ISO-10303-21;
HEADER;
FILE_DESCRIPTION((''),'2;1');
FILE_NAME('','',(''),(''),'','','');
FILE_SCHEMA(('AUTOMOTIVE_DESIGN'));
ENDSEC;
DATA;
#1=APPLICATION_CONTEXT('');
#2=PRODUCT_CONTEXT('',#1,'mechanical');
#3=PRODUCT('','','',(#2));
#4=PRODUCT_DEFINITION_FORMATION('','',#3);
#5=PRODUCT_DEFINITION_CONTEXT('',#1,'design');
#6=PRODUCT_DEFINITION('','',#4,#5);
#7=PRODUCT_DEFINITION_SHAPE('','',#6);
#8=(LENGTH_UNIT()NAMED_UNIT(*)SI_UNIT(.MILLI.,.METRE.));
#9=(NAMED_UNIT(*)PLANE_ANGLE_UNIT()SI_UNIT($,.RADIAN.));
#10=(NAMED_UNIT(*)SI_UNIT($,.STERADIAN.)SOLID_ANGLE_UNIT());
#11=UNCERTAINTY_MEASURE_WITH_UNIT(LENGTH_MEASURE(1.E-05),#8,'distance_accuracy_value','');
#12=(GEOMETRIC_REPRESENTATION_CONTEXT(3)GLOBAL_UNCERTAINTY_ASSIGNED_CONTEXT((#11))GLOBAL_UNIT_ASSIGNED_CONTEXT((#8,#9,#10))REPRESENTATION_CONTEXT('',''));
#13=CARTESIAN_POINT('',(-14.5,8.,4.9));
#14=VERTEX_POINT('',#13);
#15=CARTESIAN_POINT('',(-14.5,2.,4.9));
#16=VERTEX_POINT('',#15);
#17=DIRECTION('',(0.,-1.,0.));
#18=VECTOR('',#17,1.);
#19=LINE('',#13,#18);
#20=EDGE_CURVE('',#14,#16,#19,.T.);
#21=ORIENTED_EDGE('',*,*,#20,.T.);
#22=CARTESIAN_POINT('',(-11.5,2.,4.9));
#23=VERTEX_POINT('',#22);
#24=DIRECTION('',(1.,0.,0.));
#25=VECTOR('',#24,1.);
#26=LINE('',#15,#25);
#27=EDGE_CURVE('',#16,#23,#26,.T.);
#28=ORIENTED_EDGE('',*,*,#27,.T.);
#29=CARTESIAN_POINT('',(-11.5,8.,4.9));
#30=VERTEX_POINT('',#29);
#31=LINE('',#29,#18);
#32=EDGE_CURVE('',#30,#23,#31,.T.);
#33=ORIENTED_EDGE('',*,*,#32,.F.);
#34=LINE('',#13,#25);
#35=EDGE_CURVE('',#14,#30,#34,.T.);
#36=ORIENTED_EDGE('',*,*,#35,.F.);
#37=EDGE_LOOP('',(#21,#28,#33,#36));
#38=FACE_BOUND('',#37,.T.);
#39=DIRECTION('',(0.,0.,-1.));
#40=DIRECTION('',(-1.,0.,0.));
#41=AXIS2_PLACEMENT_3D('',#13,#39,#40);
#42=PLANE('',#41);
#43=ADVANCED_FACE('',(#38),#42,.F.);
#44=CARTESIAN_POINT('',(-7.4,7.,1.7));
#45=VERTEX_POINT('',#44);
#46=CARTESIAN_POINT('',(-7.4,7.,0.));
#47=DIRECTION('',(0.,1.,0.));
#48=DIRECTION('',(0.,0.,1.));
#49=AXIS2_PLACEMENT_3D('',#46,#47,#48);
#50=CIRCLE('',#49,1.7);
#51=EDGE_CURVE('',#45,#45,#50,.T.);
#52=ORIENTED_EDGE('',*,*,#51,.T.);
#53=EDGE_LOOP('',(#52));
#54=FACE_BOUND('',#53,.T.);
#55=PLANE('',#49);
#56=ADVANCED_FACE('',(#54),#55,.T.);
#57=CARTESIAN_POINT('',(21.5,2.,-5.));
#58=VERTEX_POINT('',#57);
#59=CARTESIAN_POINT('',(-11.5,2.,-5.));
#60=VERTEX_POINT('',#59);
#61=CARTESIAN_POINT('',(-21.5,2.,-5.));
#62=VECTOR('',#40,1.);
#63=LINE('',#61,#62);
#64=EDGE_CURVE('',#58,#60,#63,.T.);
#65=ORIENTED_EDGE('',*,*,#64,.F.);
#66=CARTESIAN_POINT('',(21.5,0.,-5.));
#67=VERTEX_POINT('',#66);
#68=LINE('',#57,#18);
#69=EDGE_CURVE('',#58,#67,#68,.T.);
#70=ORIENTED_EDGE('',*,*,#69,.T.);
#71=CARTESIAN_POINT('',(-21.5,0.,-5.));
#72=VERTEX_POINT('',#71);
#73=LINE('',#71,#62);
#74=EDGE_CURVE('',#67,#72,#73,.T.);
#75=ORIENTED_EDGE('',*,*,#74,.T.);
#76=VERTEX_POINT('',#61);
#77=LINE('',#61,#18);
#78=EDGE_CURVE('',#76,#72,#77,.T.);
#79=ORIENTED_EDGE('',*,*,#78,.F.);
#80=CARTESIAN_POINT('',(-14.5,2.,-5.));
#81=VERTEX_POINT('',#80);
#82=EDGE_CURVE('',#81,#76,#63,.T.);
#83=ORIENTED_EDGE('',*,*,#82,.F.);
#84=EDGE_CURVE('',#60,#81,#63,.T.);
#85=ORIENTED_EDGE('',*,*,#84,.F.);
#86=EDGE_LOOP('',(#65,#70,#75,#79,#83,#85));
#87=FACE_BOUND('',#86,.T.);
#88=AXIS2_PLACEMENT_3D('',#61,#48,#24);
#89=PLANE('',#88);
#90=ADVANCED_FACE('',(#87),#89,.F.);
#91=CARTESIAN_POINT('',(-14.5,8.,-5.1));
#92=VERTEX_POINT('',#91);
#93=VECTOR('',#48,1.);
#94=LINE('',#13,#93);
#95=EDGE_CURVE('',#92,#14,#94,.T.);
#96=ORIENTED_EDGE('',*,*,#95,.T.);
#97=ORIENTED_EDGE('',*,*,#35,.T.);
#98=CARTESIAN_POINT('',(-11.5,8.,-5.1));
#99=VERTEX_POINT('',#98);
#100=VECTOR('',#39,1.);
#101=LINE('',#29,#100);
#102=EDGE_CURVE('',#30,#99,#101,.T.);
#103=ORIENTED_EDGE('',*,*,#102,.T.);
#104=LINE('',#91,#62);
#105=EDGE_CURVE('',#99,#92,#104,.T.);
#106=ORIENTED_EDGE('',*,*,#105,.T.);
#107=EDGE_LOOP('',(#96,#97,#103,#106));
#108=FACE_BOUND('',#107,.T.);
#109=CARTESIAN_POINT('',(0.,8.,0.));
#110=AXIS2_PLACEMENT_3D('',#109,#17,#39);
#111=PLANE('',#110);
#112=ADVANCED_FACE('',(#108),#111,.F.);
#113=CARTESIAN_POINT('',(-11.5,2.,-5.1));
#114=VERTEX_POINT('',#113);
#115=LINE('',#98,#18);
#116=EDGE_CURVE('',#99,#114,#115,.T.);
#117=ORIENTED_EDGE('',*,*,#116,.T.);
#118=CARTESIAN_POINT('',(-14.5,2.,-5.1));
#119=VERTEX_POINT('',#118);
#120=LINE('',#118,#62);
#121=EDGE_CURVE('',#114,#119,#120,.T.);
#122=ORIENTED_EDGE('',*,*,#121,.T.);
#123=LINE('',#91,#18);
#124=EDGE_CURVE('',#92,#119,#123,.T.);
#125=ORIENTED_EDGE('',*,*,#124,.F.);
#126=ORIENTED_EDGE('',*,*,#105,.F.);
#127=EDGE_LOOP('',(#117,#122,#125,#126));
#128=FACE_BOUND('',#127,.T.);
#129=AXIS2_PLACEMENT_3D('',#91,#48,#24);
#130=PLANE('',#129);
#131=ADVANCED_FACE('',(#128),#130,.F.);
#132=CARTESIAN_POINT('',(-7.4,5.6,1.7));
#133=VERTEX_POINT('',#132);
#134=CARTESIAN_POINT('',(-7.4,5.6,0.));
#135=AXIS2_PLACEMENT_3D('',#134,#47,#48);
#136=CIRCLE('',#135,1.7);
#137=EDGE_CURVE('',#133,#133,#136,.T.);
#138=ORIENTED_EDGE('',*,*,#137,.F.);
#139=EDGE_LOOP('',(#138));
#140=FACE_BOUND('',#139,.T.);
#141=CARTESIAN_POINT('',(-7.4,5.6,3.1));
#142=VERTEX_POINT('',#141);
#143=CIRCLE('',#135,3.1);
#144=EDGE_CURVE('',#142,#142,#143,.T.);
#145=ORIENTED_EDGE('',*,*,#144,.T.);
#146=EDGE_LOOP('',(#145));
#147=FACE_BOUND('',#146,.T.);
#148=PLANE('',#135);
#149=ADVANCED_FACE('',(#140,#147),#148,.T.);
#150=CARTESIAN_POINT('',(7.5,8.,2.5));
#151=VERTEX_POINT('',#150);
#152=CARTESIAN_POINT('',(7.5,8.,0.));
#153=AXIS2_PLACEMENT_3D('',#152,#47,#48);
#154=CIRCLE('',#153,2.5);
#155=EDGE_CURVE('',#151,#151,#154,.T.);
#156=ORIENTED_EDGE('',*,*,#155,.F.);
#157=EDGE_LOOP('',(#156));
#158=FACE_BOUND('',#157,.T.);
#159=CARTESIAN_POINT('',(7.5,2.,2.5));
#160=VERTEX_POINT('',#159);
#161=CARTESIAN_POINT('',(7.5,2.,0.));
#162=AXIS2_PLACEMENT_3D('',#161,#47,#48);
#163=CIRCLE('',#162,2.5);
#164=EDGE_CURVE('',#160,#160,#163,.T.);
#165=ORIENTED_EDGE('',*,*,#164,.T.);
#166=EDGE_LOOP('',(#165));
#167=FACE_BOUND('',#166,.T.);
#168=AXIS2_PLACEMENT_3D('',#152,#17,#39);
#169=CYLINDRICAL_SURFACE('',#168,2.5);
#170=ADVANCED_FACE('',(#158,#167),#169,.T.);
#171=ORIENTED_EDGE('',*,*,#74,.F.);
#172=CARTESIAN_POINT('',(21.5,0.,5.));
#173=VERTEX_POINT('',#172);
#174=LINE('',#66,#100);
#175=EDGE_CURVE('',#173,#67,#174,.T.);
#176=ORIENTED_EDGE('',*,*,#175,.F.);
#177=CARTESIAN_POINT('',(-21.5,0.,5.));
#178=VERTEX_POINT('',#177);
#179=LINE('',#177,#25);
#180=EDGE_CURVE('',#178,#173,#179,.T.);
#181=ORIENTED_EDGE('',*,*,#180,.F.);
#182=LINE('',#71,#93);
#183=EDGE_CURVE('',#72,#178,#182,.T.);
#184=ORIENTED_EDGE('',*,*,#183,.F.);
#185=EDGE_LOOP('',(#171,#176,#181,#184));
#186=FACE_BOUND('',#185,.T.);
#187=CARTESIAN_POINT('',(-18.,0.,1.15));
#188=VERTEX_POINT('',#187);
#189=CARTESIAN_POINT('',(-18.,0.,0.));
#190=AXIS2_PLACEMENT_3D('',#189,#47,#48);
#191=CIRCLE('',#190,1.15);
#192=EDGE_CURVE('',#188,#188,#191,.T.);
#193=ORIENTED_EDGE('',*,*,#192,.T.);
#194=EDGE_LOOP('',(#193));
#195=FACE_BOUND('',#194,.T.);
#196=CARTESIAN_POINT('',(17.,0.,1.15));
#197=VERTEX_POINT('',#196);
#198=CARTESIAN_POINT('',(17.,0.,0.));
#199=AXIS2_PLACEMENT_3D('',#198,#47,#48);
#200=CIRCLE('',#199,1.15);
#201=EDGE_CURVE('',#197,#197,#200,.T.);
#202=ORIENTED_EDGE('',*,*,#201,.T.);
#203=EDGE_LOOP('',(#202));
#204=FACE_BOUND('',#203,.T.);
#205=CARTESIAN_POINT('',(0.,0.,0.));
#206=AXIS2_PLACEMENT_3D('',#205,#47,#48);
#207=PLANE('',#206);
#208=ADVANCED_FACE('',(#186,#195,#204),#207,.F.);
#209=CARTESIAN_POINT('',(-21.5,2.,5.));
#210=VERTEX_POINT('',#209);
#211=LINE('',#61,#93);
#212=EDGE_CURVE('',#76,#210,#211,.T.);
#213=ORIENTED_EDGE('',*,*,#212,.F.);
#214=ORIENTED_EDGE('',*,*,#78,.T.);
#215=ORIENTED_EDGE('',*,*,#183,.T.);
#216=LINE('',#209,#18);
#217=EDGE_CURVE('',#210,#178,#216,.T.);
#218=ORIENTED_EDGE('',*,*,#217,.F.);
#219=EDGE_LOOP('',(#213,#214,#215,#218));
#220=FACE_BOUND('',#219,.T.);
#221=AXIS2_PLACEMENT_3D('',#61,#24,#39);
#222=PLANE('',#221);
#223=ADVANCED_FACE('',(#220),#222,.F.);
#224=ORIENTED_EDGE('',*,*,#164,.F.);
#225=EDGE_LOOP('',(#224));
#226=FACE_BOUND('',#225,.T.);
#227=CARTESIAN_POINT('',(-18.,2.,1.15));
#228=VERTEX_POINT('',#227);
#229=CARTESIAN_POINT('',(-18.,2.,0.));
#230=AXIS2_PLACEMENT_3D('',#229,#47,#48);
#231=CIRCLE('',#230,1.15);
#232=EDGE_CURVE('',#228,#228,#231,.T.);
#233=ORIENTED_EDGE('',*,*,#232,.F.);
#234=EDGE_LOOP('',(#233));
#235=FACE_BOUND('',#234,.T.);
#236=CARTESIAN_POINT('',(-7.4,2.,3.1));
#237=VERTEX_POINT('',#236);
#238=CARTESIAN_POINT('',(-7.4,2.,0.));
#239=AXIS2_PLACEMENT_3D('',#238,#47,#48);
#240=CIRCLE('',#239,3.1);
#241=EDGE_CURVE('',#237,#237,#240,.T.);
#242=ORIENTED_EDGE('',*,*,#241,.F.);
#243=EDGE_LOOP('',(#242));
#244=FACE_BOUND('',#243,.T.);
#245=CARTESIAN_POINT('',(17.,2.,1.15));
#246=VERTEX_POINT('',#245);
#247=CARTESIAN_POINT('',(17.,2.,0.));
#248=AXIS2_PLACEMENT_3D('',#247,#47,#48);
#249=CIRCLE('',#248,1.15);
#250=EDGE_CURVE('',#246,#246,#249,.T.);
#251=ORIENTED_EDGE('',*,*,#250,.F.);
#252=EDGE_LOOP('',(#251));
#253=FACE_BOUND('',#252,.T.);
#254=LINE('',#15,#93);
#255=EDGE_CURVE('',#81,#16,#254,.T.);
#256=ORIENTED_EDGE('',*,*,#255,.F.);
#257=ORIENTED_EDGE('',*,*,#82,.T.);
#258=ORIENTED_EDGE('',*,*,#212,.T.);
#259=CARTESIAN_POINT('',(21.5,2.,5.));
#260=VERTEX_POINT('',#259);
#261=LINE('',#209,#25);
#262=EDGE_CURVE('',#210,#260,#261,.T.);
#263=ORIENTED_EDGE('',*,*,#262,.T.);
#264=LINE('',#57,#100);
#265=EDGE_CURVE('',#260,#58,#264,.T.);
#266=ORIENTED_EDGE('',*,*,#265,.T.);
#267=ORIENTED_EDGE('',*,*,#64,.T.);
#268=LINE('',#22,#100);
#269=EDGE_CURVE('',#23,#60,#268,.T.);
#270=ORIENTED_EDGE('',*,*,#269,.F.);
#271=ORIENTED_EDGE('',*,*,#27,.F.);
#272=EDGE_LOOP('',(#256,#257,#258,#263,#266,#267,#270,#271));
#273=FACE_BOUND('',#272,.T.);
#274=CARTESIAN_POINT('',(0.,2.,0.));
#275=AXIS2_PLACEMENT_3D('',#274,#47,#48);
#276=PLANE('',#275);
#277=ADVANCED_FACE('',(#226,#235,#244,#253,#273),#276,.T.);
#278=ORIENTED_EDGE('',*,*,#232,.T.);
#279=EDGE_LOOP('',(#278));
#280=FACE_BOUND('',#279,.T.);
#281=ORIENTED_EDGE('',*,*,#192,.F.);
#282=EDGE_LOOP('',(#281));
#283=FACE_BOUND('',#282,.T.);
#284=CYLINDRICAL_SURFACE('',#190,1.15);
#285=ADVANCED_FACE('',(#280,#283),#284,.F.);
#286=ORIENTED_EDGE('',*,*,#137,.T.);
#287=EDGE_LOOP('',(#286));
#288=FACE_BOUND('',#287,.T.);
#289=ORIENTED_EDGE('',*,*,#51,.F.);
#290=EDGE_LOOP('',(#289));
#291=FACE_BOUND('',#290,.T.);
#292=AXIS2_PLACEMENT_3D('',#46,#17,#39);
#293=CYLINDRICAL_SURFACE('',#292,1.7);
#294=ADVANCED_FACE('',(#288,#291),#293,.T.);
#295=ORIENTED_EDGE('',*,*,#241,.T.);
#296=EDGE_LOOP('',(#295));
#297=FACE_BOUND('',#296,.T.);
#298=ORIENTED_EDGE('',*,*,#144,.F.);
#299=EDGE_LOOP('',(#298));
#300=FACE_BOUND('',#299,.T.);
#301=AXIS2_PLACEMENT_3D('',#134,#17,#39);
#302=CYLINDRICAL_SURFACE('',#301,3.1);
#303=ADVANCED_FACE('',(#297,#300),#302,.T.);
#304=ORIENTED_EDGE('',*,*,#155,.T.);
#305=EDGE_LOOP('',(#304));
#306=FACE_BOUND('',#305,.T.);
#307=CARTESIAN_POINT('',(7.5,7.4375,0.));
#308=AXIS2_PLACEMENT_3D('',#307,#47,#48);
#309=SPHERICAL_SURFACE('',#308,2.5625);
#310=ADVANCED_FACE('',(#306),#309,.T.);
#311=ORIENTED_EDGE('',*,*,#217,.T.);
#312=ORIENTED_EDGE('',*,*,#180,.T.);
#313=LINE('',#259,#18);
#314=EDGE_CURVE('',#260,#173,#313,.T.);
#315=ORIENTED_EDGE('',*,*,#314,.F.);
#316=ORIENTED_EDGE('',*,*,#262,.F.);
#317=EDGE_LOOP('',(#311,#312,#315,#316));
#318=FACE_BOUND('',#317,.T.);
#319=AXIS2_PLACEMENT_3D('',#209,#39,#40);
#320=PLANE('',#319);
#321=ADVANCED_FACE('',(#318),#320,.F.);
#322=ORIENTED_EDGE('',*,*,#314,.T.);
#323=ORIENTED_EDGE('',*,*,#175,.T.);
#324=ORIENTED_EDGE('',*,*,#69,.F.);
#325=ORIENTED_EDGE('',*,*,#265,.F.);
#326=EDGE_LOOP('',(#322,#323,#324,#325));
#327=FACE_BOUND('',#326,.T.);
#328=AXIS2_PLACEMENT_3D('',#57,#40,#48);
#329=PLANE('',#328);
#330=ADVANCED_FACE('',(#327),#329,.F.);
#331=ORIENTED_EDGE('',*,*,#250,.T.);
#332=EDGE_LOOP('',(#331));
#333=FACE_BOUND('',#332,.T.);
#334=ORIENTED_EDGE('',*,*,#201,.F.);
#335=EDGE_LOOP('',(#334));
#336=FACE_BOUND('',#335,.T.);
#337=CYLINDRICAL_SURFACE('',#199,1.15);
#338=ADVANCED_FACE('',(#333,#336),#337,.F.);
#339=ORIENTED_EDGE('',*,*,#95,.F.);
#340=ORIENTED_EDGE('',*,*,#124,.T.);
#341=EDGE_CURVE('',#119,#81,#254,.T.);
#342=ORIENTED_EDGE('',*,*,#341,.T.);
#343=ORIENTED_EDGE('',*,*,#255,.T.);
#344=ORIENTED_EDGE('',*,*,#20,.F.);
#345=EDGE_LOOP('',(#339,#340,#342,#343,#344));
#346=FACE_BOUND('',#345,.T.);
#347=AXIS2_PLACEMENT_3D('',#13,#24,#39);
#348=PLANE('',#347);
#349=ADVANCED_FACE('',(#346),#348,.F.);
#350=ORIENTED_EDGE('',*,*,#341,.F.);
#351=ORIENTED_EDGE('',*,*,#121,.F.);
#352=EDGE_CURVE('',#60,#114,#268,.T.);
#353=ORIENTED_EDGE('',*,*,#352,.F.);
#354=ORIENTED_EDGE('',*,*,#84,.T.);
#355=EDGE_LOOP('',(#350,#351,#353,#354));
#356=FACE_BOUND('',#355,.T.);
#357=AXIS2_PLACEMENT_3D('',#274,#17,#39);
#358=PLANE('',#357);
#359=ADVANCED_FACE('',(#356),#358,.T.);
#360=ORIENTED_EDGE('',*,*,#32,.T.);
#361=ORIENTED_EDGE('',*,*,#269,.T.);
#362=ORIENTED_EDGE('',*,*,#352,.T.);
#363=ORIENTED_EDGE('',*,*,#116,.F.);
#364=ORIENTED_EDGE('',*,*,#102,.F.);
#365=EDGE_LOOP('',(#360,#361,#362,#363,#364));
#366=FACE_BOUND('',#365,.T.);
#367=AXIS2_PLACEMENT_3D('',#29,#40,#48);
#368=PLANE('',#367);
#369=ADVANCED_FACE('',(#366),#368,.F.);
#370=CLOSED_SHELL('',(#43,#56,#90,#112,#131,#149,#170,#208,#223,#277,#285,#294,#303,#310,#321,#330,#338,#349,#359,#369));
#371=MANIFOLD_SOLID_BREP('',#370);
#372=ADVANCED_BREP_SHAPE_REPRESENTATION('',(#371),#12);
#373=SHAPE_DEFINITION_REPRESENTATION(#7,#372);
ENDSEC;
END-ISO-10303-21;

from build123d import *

# Parameters (mm, degrees)
SKETCH1_W               = 43
SKETCH1_H               = 10
BOSS_EXTRUDE1_DEPTH     = 2
SKETCH2_W               = 3
SKETCH2_H               = 10
BOSS_EXTRUDE2_DEPTH     = 6
SKETCH4_R               = 3.1
BOSS_EXTRUDE3_DEPTH     = 3.6
SKETCH6_R               = 1.7
BOSS_EXTRUDE5_DEPTH     = 1.4
SKETCH7_R               = 2.5
BOSS_EXTRUDE6_DEPTH     = 6
DOME1_FACE_RADIUS       = 2.5
DOME1_HEIGHT            = 2
SKETCH8_R               = 1.15
CUT_EXTRUDE1_DEPTH      = 9
CUT_EXTRUDE1_DEPTH_BACK = 3


with BuildPart() as part:
    # Sketch1 → Boss-Extrude1 (new body)
    with BuildSketch(Plane(origin=(0, 0, 0), x_dir=(1, 0, 0), z_dir=(0, 1, 0))):
        Rectangle(SKETCH1_W, SKETCH1_H)
    extrude(amount=BOSS_EXTRUDE1_DEPTH)

    # Sketch2 → Boss-Extrude2 (add)
    with BuildSketch(Plane(origin=(0, 2, 0), x_dir=(1, 0, 0), z_dir=(0, 1, 0))):
        with Locations((-13, 0.1)):
            Rectangle(SKETCH2_W, SKETCH2_H)
    extrude(amount=BOSS_EXTRUDE2_DEPTH)

    # Sketch4 → Boss-Extrude3 (add)
    with BuildSketch(Plane(origin=(0, 2, 0), x_dir=(1, 0, 0), z_dir=(0, 1, 0))):
        with Locations((-7.4, 0)):
            Circle(SKETCH4_R)
    extrude(amount=BOSS_EXTRUDE3_DEPTH)

    # Sketch6 → Boss-Extrude5 (add)
    with BuildSketch(Plane(origin=(0, 5.6, 0), x_dir=(1, 0, 0), z_dir=(0, 1, 0))):
        with Locations((-7.4, 0)):
            Circle(SKETCH6_R)
    extrude(amount=BOSS_EXTRUDE5_DEPTH)

    # Sketch7 → Boss-Extrude6 (add)
    with BuildSketch(Plane(origin=(0, 2, 0), x_dir=(1, 0, 0), z_dir=(0, 1, 0))):
        with Locations((7.5, 0)):
            Circle(SKETCH7_R)
    extrude(amount=BOSS_EXTRUDE6_DEPTH)

    # Dome1: a dome of height H over a round flat face of radius A is a cap of a sphere of radius (A * A + H * H) / (2 * H)
    dome1_r = (DOME1_FACE_RADIUS * DOME1_FACE_RADIUS + DOME1_HEIGHT * DOME1_HEIGHT) / (2 * DOME1_HEIGHT)
    dome1_base = Plane((7.5, 8, 0), z_dir=(0, 1, 0))
    with Locations(dome1_base.offset(DOME1_HEIGHT - dome1_r)):
        dome1_ball = Sphere(dome1_r, mode=Mode.PRIVATE)
    add(split(dome1_ball, bisect_by=dome1_base, keep=Keep.TOP, mode=Mode.PRIVATE))

    # Sketch8 → Cut-Extrude1 (cut, two sides)
    with BuildSketch(Plane(origin=(0, 2, 0), x_dir=(1, 0, 0), z_dir=(0, 1, 0))) as cut_extrude1_sk:
        with Locations((-18, 0)):
            Circle(SKETCH8_R)
        with Locations((17, 0)):
            Circle(SKETCH8_R)
    extrude(amount=CUT_EXTRUDE1_DEPTH, mode=Mode.SUBTRACT)
    extrude(cut_extrude1_sk.sketch, amount=-CUT_EXTRUDE1_DEPTH_BACK, mode=Mode.SUBTRACT)


solid = part.part
